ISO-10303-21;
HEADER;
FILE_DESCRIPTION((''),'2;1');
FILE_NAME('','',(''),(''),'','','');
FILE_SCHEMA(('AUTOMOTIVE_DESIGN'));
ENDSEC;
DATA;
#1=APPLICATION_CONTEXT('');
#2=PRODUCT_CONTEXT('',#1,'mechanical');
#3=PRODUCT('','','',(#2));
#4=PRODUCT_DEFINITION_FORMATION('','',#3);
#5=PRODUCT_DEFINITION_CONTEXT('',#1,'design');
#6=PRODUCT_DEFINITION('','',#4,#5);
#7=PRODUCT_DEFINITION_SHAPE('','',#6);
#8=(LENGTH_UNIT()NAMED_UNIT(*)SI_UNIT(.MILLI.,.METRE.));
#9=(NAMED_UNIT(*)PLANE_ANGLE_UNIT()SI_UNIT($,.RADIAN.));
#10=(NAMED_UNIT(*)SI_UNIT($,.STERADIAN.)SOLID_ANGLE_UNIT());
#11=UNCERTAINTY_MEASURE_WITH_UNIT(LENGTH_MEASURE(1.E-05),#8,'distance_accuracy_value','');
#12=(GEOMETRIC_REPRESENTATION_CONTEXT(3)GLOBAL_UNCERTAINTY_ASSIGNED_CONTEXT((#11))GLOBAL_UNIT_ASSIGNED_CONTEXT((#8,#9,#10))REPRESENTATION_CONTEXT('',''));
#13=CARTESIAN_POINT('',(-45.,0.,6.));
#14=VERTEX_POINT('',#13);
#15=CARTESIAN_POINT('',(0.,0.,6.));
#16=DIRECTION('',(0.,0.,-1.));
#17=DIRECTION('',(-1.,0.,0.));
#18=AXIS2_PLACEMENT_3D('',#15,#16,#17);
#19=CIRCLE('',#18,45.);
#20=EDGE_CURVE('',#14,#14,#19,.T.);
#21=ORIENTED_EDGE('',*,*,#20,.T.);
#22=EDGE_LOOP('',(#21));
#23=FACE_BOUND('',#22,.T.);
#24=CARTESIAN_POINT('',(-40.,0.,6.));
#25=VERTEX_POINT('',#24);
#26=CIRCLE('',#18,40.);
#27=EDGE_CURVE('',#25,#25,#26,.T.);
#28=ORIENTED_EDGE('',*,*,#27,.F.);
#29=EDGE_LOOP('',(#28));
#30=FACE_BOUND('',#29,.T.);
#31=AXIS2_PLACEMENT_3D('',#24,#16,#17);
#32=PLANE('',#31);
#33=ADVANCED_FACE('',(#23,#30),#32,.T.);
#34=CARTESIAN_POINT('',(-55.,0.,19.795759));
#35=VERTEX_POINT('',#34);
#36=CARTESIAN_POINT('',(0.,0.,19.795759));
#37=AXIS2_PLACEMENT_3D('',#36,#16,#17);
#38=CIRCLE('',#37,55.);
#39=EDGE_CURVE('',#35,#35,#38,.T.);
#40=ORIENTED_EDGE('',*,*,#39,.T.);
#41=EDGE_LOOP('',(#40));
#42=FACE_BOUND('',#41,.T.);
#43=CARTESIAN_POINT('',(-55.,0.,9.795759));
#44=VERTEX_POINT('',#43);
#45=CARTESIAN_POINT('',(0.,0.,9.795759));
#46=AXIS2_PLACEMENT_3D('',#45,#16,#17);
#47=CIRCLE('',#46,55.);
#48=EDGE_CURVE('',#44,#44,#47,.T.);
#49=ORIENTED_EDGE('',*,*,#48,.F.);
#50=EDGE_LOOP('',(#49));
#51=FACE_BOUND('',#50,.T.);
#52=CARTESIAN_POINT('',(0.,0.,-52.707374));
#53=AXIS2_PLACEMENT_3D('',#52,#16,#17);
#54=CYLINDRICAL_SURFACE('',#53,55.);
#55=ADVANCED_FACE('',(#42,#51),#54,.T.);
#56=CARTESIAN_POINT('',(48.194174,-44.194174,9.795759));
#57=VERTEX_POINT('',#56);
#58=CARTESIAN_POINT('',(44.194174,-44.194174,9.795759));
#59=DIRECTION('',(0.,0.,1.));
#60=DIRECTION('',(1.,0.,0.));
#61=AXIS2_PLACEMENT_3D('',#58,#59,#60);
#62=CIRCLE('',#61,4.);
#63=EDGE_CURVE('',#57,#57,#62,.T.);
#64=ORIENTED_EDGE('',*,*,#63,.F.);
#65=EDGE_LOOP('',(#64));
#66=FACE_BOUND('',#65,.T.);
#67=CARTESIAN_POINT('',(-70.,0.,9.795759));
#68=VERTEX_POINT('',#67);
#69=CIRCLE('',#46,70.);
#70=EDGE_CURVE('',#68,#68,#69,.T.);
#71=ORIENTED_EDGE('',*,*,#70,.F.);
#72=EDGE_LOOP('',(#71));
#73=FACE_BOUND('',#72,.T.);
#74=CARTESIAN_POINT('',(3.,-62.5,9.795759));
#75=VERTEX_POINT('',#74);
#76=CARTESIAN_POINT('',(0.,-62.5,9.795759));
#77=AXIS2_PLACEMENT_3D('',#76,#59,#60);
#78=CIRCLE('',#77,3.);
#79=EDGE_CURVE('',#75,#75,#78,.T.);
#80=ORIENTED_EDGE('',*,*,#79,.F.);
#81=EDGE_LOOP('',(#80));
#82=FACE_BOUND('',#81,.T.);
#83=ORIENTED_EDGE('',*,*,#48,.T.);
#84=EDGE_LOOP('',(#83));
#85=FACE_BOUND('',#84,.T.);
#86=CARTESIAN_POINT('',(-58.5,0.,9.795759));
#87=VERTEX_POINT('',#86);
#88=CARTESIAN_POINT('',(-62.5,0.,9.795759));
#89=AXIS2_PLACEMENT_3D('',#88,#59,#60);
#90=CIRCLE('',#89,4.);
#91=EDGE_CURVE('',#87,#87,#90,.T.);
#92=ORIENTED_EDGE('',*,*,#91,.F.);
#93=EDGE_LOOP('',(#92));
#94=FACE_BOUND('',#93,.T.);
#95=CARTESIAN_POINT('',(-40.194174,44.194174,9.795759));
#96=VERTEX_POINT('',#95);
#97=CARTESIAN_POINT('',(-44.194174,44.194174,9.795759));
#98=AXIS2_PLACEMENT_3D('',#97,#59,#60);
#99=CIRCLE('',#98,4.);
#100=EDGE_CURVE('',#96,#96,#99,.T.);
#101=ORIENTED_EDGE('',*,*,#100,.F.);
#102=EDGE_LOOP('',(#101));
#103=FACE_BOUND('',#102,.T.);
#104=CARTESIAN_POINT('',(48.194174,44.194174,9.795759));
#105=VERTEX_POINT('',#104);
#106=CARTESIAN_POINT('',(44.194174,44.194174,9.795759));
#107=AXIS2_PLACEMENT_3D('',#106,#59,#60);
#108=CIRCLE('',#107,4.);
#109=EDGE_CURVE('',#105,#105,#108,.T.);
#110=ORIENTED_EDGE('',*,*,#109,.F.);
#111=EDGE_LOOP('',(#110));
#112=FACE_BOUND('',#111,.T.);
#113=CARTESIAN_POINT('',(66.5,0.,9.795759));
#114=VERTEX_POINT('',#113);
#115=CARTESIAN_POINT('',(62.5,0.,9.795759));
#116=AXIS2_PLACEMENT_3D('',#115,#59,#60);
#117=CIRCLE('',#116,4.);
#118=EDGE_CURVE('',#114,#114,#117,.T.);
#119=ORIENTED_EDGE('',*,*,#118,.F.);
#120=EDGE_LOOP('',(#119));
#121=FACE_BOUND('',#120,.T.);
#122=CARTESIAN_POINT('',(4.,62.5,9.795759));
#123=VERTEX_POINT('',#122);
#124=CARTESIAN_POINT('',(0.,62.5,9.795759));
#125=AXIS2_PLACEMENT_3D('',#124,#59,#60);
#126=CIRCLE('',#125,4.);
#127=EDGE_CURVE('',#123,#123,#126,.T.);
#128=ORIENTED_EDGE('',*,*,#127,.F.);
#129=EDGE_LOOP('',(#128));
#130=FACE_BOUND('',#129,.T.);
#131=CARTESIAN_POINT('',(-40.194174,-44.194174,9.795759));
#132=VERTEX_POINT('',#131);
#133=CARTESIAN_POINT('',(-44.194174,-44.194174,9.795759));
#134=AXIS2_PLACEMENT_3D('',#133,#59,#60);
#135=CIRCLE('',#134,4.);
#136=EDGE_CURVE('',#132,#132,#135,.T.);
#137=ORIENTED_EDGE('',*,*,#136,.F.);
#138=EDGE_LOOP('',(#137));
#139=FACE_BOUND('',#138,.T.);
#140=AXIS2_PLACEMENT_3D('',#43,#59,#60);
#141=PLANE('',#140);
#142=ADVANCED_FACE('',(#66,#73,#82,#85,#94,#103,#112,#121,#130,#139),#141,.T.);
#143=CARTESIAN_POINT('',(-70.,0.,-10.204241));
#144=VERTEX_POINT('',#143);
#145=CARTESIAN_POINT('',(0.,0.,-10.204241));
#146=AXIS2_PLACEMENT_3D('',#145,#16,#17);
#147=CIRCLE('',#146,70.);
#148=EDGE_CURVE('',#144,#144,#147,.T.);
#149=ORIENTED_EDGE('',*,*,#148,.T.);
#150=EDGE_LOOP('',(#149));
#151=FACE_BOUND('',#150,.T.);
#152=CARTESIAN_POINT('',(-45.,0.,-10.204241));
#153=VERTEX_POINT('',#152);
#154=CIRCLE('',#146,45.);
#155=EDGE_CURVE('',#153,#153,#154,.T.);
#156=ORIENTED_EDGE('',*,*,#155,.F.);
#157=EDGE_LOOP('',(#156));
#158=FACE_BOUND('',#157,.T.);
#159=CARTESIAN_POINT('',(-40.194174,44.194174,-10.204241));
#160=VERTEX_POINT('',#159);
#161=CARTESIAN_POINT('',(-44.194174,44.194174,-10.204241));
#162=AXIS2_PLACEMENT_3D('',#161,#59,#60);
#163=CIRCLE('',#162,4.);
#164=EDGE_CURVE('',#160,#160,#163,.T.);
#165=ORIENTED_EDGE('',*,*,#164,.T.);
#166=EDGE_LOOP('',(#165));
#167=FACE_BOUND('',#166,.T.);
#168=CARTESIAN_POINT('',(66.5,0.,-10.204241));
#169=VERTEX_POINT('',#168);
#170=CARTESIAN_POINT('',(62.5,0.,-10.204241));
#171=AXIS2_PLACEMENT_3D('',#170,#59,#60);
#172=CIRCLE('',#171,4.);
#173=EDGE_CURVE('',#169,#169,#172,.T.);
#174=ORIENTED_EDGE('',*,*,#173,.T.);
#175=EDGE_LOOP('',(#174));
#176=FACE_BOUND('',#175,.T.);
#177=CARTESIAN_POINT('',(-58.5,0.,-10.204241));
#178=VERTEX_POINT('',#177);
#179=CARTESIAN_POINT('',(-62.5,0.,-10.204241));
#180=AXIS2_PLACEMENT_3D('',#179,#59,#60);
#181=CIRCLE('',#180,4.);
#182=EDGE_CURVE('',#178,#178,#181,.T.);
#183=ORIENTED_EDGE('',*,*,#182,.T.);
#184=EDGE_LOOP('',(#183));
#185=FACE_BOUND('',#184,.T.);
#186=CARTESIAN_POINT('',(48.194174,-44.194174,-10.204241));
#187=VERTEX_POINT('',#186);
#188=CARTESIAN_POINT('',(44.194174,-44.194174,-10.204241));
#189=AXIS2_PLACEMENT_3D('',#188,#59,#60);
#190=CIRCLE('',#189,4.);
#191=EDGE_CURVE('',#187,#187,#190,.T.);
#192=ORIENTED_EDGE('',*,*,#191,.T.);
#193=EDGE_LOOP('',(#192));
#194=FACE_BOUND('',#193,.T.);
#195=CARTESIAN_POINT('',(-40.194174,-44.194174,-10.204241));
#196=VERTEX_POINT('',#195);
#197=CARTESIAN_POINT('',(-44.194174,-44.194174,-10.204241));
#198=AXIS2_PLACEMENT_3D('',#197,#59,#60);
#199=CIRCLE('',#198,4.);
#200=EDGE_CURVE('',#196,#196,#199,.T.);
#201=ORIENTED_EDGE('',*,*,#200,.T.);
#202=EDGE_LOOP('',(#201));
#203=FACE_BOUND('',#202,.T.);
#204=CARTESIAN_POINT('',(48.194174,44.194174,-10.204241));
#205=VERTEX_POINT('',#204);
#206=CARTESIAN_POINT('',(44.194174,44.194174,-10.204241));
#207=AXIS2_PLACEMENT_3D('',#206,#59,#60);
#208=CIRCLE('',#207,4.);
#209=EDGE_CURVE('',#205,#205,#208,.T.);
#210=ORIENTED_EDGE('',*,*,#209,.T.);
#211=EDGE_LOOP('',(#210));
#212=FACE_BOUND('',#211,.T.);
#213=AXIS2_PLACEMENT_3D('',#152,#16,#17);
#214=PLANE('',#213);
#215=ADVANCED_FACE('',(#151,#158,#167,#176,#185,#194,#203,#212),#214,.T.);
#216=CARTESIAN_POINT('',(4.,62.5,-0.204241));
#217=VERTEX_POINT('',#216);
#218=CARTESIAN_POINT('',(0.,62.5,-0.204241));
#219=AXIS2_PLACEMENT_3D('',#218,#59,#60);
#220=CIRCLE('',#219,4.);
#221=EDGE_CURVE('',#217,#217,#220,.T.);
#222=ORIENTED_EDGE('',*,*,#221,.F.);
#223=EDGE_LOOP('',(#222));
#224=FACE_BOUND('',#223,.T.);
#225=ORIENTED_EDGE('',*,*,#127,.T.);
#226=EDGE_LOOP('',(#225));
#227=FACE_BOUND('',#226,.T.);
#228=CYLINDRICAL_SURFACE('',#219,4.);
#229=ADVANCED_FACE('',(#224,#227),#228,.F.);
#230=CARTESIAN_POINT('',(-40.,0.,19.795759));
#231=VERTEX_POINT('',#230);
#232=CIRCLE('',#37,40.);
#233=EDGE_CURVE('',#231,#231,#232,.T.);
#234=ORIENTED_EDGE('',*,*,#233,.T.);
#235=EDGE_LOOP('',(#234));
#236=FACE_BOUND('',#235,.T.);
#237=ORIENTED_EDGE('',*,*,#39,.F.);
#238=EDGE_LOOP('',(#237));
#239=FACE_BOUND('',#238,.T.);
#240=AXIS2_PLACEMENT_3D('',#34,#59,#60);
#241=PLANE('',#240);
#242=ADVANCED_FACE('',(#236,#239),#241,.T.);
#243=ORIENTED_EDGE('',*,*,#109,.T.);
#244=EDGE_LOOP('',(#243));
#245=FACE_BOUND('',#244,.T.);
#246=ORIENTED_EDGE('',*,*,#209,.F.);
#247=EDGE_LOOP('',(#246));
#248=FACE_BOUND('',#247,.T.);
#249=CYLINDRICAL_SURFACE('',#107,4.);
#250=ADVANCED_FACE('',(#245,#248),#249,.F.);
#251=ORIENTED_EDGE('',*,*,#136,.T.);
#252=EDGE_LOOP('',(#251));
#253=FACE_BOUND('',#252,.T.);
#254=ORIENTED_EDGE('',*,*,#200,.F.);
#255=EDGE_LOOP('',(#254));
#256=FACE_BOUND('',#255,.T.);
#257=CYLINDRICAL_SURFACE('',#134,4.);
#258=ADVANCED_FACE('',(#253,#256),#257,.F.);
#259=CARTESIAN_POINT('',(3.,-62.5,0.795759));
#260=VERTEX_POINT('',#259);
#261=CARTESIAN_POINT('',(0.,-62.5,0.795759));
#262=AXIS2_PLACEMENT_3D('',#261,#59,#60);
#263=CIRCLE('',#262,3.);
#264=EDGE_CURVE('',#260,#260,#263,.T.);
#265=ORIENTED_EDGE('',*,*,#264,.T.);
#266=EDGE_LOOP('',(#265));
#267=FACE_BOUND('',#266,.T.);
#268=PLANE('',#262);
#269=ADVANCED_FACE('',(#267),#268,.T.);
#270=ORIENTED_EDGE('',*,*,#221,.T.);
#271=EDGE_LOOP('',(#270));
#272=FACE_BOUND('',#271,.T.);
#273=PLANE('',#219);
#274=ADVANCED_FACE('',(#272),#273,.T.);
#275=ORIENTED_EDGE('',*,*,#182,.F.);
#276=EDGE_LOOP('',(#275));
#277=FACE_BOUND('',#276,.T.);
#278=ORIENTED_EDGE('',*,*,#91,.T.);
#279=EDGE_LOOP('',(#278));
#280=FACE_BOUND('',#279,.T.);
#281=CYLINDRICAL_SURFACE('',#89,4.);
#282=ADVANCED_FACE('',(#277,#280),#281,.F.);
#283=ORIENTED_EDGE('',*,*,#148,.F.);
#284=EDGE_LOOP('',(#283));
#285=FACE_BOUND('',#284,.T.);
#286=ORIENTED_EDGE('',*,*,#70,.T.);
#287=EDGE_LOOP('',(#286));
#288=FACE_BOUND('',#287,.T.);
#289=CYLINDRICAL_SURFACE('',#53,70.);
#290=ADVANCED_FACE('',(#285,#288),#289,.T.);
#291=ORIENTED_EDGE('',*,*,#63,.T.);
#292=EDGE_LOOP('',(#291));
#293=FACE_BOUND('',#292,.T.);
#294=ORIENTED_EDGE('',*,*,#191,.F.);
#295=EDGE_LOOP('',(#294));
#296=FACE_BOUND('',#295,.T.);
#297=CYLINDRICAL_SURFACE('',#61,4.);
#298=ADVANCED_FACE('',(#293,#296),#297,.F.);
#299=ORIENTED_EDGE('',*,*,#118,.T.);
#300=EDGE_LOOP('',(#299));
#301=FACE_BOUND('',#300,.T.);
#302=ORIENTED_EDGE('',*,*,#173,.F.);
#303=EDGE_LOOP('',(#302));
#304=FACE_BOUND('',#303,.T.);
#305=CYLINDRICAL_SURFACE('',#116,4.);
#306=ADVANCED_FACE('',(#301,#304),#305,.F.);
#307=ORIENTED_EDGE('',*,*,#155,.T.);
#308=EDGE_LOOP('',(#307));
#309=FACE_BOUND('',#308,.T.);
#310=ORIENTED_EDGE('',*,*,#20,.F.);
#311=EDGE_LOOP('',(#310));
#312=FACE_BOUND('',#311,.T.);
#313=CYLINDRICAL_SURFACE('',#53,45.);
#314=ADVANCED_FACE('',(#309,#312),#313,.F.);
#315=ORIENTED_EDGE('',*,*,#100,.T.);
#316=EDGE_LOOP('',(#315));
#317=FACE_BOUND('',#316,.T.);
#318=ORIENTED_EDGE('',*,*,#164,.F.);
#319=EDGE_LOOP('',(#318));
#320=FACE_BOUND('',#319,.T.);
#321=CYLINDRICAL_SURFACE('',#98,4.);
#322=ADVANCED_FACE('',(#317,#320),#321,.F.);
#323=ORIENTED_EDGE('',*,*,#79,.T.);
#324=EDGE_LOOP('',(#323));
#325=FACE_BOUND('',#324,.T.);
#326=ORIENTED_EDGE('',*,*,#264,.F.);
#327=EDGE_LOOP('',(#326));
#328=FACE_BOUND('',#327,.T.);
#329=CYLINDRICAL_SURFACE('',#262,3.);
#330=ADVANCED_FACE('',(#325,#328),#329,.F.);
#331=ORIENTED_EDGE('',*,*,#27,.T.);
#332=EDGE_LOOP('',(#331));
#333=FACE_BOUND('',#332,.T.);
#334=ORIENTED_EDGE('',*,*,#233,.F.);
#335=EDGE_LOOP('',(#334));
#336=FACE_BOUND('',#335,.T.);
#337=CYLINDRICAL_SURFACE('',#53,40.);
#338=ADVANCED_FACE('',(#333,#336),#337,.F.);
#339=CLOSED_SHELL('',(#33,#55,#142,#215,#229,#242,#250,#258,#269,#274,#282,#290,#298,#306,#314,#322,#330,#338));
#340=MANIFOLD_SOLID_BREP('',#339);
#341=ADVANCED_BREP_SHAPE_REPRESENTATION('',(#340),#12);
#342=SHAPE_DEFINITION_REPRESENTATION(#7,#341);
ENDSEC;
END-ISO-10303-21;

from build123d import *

# Parameters (mm, degrees)
SKETCH2_R             = 3
CUT_EXTRUDE1_DEPTH    = 9
SKETCH3_R             = 4
CUT_EXTRUDE2_DEPTH    = 10
F_8_0MM_DOWEL_HOLE1_D = 8


with BuildPart() as part:
    # Sketch1 → Revolve1 (revolve)
    with BuildSketch(Plane(origin=(0, 0, 0), x_dir=(1, 0, 0), z_dir=(0, 1, 0))):
        Polygon((-55, -19.79575879), (-55, -9.79575879), (-70, -9.79575879), (-70, 10.20424121), (-45, 10.20424121), (-45, -6), (-40, -6), (-40, -19.79575879), align=None)
    revolve(axis=Axis((0, 0, -52.707374268), (0, 0, 1)))

    # Sketch2 → Cut-Extrude1 (cut)
    with BuildSketch(Plane.XY.offset(9.79575879)):
        with Locations((0, -62.5)):
            Circle(SKETCH2_R)
    extrude(amount=-CUT_EXTRUDE1_DEPTH, mode=Mode.SUBTRACT)

    # Sketch3 → Cut-Extrude2 (cut)
    with BuildSketch(Plane.XY.offset(9.79575879)):
        with Locations((0, 62.5)):
            Circle(SKETCH3_R)
    extrude(amount=-CUT_EXTRUDE2_DEPTH, mode=Mode.SUBTRACT)

    # Ø8.0mm Dowel Hole1 (through all)
    with Locations(Plane.XY.offset(9.79575879)):
        with Locations((44.194173824, 44.194173824), (62.5, 0), (44.194173824, -44.194173824), (-44.194173824, -44.194173824), (-62.5, 0), (-44.194173824, 44.194173824)):
            Hole(F_8_0MM_DOWEL_HOLE1_D / 2)


solid = part.part
